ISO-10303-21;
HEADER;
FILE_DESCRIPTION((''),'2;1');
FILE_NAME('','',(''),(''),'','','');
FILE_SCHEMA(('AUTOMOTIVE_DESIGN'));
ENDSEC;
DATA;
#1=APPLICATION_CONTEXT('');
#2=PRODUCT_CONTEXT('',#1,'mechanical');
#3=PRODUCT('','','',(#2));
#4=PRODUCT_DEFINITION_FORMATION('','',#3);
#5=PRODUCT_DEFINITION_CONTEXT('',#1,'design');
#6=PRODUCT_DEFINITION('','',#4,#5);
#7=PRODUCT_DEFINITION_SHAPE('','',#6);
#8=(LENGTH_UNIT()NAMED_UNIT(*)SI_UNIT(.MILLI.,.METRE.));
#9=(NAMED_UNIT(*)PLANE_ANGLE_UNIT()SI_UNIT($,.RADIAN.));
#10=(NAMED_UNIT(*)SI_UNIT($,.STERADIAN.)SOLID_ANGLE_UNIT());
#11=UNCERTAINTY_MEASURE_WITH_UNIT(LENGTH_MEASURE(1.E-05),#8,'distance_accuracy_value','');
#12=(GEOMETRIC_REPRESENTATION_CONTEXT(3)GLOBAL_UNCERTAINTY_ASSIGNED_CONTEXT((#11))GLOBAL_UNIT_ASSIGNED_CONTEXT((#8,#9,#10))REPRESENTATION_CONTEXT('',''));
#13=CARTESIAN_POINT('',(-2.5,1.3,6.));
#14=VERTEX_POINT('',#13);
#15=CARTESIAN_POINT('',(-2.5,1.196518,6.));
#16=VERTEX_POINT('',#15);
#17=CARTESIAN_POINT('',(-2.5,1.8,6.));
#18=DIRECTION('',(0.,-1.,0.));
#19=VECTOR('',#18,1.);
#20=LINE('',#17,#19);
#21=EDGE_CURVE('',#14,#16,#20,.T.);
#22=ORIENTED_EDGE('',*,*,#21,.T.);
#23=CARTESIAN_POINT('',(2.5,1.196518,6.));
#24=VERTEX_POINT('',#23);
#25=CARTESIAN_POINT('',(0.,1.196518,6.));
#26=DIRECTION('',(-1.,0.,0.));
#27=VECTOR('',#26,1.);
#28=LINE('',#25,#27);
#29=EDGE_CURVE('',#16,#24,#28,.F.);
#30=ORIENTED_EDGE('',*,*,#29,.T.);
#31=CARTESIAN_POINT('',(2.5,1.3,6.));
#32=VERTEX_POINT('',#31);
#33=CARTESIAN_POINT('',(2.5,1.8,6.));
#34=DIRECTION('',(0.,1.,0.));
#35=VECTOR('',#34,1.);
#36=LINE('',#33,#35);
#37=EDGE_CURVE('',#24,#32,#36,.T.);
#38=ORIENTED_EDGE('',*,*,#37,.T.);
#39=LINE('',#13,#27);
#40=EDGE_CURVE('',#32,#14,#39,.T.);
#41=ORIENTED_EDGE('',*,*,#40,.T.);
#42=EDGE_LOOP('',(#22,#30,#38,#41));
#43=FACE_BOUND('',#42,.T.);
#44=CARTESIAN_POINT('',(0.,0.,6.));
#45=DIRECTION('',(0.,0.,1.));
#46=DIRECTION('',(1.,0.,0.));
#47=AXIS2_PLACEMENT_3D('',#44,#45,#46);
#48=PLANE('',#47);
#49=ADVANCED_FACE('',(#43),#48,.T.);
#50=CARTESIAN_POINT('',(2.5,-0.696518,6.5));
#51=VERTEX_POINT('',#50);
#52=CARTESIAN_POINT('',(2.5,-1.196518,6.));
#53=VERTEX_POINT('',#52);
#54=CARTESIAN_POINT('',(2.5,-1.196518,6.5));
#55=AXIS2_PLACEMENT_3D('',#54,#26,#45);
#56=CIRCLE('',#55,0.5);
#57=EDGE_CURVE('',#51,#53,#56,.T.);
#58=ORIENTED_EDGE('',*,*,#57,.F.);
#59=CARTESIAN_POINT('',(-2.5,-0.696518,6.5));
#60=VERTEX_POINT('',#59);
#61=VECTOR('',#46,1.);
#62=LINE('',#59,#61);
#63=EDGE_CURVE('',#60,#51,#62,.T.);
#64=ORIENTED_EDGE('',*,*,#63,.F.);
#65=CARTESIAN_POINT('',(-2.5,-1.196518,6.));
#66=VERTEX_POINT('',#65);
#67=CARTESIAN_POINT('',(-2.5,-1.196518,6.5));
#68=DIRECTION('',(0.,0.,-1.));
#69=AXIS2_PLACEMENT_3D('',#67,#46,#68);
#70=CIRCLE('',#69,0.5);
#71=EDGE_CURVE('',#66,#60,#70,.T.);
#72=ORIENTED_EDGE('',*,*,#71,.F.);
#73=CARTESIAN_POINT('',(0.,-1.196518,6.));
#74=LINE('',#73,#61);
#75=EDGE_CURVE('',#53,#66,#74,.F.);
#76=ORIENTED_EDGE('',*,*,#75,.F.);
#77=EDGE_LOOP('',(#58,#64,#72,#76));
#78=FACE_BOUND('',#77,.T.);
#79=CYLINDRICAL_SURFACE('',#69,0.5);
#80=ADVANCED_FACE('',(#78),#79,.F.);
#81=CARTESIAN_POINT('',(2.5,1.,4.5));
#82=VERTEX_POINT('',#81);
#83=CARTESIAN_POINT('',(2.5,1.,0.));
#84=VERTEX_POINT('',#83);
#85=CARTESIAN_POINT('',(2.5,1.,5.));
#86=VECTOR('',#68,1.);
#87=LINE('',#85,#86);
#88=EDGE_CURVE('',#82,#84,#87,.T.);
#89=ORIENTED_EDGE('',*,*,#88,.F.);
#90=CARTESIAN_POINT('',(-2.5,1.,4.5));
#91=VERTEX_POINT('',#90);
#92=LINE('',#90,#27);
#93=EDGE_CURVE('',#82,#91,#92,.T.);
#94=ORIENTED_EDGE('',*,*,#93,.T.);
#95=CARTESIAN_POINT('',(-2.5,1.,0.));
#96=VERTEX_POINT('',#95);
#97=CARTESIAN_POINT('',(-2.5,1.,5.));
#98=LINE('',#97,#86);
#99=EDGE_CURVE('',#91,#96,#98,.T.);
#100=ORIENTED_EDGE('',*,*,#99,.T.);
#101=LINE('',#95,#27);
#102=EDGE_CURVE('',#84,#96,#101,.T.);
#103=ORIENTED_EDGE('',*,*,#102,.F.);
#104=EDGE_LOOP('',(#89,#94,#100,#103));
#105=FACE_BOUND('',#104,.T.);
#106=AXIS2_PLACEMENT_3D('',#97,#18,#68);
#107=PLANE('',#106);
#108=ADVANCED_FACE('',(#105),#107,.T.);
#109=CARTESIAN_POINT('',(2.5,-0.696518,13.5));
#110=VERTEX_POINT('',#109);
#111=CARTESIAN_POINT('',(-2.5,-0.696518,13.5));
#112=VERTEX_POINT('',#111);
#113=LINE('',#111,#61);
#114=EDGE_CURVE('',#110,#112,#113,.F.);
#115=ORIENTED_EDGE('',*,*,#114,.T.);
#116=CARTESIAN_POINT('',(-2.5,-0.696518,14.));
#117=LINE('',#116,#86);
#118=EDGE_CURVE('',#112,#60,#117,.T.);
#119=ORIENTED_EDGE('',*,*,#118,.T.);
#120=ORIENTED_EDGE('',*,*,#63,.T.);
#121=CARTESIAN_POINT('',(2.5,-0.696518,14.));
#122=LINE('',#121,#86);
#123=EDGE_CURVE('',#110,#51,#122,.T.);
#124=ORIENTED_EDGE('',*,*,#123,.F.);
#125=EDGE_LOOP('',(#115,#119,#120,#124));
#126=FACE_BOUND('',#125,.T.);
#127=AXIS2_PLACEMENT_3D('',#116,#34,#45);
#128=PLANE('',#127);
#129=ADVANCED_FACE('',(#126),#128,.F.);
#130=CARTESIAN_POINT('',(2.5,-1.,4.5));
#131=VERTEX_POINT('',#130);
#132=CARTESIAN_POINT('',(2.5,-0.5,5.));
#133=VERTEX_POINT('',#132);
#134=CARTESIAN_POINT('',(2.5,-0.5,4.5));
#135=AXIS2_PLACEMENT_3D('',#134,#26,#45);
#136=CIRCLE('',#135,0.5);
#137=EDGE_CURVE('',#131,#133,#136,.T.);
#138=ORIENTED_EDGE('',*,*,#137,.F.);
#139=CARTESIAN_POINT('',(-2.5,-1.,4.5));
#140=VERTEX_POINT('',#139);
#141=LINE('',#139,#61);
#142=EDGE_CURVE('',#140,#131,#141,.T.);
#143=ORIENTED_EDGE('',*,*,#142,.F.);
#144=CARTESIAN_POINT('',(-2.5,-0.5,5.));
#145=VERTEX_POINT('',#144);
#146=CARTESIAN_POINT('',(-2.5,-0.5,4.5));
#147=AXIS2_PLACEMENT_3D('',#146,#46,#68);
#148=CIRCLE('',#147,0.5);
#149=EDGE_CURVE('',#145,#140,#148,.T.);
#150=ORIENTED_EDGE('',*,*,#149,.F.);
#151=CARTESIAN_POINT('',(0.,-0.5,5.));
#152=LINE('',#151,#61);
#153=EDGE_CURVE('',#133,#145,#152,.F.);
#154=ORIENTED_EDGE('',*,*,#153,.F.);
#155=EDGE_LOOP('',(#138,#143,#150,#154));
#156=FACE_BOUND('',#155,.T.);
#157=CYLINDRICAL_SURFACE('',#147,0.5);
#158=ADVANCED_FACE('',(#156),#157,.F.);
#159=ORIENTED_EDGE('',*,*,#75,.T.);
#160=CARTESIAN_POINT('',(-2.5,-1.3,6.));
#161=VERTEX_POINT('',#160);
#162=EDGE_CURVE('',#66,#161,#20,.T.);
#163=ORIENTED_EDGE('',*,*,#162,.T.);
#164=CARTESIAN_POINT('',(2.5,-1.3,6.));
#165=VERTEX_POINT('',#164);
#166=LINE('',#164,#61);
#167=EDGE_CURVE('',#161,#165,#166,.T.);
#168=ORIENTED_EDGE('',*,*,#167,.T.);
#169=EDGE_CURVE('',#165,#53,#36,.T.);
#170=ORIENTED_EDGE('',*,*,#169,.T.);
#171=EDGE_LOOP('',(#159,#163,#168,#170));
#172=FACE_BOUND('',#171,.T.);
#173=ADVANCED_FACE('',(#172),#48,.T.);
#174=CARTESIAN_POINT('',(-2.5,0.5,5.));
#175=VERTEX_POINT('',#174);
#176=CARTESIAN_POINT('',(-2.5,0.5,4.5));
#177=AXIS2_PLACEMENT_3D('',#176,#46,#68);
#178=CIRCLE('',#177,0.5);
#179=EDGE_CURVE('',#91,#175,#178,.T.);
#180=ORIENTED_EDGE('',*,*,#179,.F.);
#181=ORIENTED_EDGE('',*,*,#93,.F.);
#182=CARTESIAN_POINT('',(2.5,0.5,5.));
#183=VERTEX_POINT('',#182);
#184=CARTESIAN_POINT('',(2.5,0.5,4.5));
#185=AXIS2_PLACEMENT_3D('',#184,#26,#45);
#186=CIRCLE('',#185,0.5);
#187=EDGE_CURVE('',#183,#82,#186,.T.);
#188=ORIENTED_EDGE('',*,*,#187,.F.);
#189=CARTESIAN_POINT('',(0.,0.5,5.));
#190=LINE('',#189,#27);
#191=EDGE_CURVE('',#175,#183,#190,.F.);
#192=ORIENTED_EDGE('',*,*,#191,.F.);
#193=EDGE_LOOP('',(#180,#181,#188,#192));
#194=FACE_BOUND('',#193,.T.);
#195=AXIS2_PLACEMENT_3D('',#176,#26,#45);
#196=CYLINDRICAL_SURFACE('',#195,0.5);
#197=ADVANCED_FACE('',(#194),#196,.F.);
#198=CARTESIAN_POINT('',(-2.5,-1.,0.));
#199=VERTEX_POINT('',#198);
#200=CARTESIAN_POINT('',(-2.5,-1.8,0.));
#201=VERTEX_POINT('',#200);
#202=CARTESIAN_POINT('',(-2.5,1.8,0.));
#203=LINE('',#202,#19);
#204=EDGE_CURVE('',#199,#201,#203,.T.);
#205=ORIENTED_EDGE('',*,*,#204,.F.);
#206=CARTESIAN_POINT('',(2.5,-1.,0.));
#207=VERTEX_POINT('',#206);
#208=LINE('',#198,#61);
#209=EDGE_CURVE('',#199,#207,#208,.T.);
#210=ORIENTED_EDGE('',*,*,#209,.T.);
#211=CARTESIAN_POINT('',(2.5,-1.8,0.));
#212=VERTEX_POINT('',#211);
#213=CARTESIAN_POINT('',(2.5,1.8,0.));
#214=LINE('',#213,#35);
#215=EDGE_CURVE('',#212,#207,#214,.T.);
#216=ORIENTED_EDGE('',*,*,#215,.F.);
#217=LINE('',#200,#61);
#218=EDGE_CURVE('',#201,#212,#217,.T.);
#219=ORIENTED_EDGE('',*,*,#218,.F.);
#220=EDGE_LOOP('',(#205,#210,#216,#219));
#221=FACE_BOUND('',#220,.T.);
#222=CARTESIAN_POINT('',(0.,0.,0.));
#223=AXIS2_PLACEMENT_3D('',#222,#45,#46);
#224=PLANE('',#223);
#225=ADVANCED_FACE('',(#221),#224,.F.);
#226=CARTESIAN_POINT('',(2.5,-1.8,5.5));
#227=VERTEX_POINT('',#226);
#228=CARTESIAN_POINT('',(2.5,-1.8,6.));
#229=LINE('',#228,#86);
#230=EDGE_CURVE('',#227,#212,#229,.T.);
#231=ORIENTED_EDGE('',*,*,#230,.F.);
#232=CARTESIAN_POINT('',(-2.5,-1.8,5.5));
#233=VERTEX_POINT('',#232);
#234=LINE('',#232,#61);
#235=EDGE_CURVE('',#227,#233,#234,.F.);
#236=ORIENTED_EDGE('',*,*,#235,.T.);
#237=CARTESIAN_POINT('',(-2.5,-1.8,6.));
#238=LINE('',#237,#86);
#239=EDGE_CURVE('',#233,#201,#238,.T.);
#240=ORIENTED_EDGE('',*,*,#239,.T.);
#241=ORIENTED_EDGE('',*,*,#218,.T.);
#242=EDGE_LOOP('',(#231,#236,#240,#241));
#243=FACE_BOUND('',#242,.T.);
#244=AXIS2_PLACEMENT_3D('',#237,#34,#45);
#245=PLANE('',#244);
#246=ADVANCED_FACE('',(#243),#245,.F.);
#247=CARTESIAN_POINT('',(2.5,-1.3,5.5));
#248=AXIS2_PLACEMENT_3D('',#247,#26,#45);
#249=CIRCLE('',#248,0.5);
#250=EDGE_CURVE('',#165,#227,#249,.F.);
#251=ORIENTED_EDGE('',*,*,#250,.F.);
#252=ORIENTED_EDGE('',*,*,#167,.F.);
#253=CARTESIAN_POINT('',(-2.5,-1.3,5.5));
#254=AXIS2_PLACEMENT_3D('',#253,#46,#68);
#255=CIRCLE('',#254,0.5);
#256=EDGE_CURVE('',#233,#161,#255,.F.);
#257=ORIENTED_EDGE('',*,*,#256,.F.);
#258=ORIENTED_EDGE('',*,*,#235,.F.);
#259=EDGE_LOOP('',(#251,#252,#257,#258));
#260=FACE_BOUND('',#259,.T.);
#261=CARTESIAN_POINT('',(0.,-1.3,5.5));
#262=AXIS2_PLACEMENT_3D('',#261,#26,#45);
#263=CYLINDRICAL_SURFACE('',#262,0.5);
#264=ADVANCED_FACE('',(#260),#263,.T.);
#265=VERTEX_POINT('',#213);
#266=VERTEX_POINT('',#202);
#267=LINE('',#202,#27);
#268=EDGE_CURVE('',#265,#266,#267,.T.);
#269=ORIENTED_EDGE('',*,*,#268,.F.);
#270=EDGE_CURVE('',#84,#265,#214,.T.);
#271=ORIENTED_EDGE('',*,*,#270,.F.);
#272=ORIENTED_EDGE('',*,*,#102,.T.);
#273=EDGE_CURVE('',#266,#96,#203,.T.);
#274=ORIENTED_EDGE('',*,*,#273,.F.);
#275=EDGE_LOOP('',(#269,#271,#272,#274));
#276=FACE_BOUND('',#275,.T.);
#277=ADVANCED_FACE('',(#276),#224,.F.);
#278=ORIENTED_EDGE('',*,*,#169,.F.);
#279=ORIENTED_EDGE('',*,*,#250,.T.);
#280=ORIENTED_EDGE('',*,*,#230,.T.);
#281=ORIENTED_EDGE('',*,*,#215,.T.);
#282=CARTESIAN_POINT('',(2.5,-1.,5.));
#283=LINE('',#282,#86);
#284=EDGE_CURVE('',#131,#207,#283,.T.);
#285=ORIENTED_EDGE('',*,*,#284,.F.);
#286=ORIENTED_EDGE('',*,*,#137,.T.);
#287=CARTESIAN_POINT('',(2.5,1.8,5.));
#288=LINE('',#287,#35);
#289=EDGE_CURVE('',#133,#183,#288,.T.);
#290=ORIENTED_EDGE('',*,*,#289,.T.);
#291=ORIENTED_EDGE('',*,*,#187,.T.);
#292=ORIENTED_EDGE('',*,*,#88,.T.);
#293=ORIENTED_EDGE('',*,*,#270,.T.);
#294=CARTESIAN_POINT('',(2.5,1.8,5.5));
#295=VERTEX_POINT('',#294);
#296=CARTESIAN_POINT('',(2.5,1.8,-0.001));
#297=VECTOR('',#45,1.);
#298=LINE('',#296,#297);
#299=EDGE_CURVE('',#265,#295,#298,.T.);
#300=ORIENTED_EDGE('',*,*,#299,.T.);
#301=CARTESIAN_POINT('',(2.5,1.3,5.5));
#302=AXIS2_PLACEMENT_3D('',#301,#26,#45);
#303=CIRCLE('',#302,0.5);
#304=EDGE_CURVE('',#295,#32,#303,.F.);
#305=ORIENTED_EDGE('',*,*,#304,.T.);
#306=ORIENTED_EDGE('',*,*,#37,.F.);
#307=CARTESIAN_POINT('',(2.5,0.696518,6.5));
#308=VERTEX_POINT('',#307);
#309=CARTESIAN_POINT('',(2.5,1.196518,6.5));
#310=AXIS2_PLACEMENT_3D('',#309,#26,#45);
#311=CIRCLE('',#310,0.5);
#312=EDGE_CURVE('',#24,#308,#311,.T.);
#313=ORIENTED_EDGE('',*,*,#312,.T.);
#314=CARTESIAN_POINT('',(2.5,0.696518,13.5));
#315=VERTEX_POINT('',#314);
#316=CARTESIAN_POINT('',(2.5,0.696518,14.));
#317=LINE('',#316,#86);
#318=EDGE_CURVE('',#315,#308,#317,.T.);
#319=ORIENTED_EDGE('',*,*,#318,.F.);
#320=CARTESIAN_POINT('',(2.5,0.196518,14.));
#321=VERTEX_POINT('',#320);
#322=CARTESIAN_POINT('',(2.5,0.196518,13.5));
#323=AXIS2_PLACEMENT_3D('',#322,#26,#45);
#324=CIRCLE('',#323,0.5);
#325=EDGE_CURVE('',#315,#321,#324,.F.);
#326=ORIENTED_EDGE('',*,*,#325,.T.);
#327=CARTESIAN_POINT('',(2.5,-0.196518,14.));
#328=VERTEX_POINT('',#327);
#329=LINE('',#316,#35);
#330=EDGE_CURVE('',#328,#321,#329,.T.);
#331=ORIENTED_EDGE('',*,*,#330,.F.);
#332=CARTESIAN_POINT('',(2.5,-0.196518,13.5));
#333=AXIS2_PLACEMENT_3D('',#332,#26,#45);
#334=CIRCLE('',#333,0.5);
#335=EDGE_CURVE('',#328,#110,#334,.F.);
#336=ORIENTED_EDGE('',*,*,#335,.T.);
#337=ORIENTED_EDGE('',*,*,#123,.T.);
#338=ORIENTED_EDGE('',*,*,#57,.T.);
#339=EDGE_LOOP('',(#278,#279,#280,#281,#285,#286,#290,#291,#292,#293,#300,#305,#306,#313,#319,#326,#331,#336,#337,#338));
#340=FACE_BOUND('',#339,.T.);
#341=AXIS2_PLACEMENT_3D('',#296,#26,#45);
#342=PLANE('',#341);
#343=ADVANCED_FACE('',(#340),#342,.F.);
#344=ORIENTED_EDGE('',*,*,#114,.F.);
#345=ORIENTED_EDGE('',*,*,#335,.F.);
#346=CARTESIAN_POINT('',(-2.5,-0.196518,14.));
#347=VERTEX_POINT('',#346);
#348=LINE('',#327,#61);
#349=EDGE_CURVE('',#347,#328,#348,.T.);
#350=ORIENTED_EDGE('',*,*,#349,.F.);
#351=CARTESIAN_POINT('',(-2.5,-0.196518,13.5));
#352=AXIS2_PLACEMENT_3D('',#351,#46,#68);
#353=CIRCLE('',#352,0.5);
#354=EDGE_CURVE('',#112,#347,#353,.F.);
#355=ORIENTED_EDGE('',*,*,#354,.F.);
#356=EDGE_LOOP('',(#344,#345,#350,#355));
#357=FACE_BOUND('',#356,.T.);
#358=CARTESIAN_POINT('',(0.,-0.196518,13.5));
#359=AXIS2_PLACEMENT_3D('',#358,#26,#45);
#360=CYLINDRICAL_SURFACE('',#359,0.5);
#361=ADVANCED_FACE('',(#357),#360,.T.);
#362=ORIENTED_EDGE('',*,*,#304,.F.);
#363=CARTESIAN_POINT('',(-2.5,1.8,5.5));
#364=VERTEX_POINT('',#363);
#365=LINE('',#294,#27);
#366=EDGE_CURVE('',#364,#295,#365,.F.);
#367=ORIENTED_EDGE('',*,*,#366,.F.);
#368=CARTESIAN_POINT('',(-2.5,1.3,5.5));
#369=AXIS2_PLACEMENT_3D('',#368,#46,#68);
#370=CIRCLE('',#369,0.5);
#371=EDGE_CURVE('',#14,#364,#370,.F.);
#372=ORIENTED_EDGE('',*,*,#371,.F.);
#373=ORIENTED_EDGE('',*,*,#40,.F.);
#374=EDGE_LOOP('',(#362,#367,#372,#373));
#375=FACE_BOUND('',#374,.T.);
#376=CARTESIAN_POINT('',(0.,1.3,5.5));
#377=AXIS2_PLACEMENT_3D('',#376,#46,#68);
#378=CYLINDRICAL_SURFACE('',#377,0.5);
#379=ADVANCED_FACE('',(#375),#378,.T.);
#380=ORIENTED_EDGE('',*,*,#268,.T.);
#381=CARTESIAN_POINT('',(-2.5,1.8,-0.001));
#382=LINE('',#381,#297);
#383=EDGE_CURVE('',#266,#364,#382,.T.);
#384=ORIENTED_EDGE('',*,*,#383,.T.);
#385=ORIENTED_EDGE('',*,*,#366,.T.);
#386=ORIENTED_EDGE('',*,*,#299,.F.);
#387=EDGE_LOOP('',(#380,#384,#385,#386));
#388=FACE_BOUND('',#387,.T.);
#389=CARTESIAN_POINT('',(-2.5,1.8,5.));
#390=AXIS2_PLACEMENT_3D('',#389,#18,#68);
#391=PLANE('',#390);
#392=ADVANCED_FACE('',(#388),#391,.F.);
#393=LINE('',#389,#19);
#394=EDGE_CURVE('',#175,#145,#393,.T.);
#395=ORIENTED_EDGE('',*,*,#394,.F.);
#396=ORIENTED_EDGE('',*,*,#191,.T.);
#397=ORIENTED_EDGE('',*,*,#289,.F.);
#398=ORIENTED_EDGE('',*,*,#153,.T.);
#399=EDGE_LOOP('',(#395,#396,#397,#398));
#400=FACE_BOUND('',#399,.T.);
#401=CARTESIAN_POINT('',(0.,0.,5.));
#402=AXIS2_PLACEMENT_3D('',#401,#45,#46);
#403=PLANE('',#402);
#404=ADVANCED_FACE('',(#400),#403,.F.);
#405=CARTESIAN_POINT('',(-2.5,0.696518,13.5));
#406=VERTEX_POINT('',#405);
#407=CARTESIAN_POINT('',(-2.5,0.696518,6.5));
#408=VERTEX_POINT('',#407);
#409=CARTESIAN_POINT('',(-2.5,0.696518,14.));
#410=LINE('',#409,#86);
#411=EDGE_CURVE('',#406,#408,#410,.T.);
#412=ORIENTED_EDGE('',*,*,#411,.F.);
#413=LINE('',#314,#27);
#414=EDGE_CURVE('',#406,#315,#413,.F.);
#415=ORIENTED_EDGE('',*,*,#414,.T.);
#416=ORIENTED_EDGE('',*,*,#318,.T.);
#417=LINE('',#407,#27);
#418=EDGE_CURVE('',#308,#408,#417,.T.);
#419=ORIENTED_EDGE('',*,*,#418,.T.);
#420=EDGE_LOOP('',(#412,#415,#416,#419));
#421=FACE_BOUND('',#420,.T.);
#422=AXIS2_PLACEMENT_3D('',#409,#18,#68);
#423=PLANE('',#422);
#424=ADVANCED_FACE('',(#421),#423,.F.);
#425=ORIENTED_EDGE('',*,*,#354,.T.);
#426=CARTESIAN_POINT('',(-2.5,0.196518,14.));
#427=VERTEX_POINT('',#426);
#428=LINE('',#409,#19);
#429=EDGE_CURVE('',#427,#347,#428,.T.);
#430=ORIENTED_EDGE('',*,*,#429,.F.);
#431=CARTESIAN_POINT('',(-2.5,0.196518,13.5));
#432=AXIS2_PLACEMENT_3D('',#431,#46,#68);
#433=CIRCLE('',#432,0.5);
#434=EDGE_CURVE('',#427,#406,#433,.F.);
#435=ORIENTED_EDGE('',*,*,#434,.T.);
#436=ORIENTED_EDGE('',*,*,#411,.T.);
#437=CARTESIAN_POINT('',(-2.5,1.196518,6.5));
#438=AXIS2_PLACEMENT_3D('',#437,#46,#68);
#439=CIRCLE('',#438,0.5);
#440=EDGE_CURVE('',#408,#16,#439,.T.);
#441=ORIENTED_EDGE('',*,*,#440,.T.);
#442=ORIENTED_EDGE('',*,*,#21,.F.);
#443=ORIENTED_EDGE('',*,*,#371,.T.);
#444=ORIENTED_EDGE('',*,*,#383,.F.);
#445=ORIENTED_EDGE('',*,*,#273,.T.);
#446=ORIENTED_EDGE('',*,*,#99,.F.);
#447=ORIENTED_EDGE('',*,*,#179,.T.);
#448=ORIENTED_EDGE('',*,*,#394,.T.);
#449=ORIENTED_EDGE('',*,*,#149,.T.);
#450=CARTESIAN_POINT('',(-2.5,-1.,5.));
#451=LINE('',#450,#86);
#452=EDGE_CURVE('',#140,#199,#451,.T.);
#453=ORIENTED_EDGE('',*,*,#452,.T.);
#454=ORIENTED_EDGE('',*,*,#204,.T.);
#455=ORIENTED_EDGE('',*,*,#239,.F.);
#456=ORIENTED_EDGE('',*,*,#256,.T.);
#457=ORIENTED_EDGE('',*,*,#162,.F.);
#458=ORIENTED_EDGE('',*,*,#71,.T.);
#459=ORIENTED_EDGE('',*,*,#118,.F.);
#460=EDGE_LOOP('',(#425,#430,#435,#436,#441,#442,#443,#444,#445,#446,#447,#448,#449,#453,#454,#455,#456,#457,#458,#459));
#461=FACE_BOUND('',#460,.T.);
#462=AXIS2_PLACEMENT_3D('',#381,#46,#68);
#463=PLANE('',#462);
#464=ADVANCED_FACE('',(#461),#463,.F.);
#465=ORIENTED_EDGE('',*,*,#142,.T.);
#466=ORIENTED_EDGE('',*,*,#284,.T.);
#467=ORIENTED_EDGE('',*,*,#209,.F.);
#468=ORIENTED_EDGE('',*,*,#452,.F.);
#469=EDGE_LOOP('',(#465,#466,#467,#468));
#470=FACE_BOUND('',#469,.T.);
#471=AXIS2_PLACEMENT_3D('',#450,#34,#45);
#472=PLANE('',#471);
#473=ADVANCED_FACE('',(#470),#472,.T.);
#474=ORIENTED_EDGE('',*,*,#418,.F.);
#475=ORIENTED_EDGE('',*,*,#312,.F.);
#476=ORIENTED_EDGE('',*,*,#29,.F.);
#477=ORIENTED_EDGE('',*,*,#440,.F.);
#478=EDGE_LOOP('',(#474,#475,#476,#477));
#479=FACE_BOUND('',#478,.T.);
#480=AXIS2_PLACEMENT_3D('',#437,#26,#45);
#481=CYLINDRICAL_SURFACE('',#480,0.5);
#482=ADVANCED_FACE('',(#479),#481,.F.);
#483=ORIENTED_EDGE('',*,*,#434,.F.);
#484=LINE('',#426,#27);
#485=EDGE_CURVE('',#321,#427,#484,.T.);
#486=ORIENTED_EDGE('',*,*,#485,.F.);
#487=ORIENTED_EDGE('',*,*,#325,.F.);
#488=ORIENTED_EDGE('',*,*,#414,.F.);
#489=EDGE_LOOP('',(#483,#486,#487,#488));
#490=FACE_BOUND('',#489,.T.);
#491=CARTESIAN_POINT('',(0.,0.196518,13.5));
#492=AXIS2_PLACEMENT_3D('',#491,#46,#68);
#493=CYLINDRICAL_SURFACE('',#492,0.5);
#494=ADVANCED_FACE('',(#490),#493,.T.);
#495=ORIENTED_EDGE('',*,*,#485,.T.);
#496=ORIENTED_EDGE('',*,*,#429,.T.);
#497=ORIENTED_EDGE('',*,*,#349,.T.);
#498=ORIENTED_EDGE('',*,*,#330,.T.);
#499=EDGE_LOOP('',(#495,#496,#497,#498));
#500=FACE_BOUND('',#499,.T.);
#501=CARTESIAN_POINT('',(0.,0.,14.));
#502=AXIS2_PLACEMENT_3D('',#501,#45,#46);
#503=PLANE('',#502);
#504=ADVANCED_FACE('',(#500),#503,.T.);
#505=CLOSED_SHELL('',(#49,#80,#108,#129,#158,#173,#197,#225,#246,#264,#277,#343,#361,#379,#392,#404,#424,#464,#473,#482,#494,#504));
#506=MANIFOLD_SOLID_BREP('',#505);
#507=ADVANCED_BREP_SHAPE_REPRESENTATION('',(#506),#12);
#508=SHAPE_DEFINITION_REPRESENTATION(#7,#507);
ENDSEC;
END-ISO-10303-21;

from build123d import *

# Parameters (mm, degrees)
SKETCH_1_W          = 6.6
SKETCH_1_H          = 3.6
SKETCH_1_W_2        = 5
SKETCH_1_H_2        = 2
EXTRUDE_1_DEPTH     = 5
CUT_EXTRUDE_2_REACH = 8.255
SKETCH_2_W          = 0.8
SKETCH_2_H          = 3.6
SKETCH_3_W          = 5
SKETCH_3_H          = 3.6
EXTRUDE_1_2_DEPTH   = 1
SKETCH_4_W          = 5
SKETCH_4_H          = 1.393036208
EXTRUDE_2_DEPTH     = 8
FILLET_1_R          = 0.5


with BuildPart() as part:
    # Эскиз1 → Extrude 1 (new body)
    with BuildSketch(Plane.XY):
        Rectangle(SKETCH_1_W, SKETCH_1_H)
        Rectangle(SKETCH_1_W_2, SKETCH_1_H_2, mode=Mode.SUBTRACT)
    extrude(amount=EXTRUDE_1_DEPTH)

    # Эскиз2 → Вырез-Вытянуть2 (cut, up to next)
    with BuildSketch(Plane.XY.offset(5), mode=Mode.PRIVATE) as cut_extrude_2_sk1:
        with Locations((-2.9, 0)):
            Rectangle(SKETCH_2_W, SKETCH_2_H)
    cut_extrude_2_tool1 = extrude(cut_extrude_2_sk1.sketch, amount=-CUT_EXTRUDE_2_REACH, mode=Mode.PRIVATE) & part.part
    # Эскиз2 → Вырез-Вытянуть2 (cut, up to next)
    with BuildSketch(Plane.XY.offset(5), mode=Mode.PRIVATE) as cut_extrude_2_sk2:
        with Locations((2.9, 0)):
            Rectangle(SKETCH_2_W, SKETCH_2_H)
    cut_extrude_2_tool2 = extrude(cut_extrude_2_sk2.sketch, amount=-CUT_EXTRUDE_2_REACH, mode=Mode.PRIVATE) & part.part
    add(cut_extrude_2_tool1.solids().sort_by_distance((-2.9, 0, 5))[0], mode=Mode.SUBTRACT)
    add(cut_extrude_2_tool2.solids().sort_by_distance((2.9, 0, 5))[0], mode=Mode.SUBTRACT)


with BuildPart() as cut_extrude_2_piece_1:
    # of the separate pieces the step leaves, piece 1, a body of its own (cut_extrude_2_pieces)
    add(part.part.solids().sort_by_distance((2.5, -1.8, 0))[0])



with BuildPart() as cut_extrude_2_piece_2:
    # of the separate pieces the step leaves, piece 2, a body of its own (cut_extrude_2_pieces)
    add(part.part.solids().sort_by_distance((-2.5, 1.8, 0))[0])


with BuildPart() as cut_extrude_2_piece_1_1:
    add(cut_extrude_2_piece_1.part)

    add(cut_extrude_2_piece_2.part)  # Extrude 1 2 merges Вырез-Вытянуть2 piece 2
    # Эскиз3 → Extrude 1 2 (add)
    with BuildSketch(Plane.XY.offset(5)):
        Rectangle(SKETCH_3_W, SKETCH_3_H)
    extrude(amount=EXTRUDE_1_2_DEPTH)

    # Эскиз4 → Бобышка-Вытянуть2 (add)
    with BuildSketch(Plane.XY.offset(6)):
        Rectangle(SKETCH_4_W, SKETCH_4_H)
    extrude(amount=EXTRUDE_2_DEPTH)

    # Скругление1
    fillet_1_edges = [cut_extrude_2_piece_1_1.edges().sort_by_distance(p)[0] for p in [
        (0, -1.8, 6),
        (0, 1.8, 6),
        (0, 1, 5),
        (0, -1, 5),
        (0, 0.696518104, 6),
        (0, -0.696518104, 6),
        (0, 0.696518104, 14),
        (0, -0.696518104, 14),
    ]]
    fillet(fillet_1_edges, radius=FILLET_1_R)


solid = cut_extrude_2_piece_1_1.part
